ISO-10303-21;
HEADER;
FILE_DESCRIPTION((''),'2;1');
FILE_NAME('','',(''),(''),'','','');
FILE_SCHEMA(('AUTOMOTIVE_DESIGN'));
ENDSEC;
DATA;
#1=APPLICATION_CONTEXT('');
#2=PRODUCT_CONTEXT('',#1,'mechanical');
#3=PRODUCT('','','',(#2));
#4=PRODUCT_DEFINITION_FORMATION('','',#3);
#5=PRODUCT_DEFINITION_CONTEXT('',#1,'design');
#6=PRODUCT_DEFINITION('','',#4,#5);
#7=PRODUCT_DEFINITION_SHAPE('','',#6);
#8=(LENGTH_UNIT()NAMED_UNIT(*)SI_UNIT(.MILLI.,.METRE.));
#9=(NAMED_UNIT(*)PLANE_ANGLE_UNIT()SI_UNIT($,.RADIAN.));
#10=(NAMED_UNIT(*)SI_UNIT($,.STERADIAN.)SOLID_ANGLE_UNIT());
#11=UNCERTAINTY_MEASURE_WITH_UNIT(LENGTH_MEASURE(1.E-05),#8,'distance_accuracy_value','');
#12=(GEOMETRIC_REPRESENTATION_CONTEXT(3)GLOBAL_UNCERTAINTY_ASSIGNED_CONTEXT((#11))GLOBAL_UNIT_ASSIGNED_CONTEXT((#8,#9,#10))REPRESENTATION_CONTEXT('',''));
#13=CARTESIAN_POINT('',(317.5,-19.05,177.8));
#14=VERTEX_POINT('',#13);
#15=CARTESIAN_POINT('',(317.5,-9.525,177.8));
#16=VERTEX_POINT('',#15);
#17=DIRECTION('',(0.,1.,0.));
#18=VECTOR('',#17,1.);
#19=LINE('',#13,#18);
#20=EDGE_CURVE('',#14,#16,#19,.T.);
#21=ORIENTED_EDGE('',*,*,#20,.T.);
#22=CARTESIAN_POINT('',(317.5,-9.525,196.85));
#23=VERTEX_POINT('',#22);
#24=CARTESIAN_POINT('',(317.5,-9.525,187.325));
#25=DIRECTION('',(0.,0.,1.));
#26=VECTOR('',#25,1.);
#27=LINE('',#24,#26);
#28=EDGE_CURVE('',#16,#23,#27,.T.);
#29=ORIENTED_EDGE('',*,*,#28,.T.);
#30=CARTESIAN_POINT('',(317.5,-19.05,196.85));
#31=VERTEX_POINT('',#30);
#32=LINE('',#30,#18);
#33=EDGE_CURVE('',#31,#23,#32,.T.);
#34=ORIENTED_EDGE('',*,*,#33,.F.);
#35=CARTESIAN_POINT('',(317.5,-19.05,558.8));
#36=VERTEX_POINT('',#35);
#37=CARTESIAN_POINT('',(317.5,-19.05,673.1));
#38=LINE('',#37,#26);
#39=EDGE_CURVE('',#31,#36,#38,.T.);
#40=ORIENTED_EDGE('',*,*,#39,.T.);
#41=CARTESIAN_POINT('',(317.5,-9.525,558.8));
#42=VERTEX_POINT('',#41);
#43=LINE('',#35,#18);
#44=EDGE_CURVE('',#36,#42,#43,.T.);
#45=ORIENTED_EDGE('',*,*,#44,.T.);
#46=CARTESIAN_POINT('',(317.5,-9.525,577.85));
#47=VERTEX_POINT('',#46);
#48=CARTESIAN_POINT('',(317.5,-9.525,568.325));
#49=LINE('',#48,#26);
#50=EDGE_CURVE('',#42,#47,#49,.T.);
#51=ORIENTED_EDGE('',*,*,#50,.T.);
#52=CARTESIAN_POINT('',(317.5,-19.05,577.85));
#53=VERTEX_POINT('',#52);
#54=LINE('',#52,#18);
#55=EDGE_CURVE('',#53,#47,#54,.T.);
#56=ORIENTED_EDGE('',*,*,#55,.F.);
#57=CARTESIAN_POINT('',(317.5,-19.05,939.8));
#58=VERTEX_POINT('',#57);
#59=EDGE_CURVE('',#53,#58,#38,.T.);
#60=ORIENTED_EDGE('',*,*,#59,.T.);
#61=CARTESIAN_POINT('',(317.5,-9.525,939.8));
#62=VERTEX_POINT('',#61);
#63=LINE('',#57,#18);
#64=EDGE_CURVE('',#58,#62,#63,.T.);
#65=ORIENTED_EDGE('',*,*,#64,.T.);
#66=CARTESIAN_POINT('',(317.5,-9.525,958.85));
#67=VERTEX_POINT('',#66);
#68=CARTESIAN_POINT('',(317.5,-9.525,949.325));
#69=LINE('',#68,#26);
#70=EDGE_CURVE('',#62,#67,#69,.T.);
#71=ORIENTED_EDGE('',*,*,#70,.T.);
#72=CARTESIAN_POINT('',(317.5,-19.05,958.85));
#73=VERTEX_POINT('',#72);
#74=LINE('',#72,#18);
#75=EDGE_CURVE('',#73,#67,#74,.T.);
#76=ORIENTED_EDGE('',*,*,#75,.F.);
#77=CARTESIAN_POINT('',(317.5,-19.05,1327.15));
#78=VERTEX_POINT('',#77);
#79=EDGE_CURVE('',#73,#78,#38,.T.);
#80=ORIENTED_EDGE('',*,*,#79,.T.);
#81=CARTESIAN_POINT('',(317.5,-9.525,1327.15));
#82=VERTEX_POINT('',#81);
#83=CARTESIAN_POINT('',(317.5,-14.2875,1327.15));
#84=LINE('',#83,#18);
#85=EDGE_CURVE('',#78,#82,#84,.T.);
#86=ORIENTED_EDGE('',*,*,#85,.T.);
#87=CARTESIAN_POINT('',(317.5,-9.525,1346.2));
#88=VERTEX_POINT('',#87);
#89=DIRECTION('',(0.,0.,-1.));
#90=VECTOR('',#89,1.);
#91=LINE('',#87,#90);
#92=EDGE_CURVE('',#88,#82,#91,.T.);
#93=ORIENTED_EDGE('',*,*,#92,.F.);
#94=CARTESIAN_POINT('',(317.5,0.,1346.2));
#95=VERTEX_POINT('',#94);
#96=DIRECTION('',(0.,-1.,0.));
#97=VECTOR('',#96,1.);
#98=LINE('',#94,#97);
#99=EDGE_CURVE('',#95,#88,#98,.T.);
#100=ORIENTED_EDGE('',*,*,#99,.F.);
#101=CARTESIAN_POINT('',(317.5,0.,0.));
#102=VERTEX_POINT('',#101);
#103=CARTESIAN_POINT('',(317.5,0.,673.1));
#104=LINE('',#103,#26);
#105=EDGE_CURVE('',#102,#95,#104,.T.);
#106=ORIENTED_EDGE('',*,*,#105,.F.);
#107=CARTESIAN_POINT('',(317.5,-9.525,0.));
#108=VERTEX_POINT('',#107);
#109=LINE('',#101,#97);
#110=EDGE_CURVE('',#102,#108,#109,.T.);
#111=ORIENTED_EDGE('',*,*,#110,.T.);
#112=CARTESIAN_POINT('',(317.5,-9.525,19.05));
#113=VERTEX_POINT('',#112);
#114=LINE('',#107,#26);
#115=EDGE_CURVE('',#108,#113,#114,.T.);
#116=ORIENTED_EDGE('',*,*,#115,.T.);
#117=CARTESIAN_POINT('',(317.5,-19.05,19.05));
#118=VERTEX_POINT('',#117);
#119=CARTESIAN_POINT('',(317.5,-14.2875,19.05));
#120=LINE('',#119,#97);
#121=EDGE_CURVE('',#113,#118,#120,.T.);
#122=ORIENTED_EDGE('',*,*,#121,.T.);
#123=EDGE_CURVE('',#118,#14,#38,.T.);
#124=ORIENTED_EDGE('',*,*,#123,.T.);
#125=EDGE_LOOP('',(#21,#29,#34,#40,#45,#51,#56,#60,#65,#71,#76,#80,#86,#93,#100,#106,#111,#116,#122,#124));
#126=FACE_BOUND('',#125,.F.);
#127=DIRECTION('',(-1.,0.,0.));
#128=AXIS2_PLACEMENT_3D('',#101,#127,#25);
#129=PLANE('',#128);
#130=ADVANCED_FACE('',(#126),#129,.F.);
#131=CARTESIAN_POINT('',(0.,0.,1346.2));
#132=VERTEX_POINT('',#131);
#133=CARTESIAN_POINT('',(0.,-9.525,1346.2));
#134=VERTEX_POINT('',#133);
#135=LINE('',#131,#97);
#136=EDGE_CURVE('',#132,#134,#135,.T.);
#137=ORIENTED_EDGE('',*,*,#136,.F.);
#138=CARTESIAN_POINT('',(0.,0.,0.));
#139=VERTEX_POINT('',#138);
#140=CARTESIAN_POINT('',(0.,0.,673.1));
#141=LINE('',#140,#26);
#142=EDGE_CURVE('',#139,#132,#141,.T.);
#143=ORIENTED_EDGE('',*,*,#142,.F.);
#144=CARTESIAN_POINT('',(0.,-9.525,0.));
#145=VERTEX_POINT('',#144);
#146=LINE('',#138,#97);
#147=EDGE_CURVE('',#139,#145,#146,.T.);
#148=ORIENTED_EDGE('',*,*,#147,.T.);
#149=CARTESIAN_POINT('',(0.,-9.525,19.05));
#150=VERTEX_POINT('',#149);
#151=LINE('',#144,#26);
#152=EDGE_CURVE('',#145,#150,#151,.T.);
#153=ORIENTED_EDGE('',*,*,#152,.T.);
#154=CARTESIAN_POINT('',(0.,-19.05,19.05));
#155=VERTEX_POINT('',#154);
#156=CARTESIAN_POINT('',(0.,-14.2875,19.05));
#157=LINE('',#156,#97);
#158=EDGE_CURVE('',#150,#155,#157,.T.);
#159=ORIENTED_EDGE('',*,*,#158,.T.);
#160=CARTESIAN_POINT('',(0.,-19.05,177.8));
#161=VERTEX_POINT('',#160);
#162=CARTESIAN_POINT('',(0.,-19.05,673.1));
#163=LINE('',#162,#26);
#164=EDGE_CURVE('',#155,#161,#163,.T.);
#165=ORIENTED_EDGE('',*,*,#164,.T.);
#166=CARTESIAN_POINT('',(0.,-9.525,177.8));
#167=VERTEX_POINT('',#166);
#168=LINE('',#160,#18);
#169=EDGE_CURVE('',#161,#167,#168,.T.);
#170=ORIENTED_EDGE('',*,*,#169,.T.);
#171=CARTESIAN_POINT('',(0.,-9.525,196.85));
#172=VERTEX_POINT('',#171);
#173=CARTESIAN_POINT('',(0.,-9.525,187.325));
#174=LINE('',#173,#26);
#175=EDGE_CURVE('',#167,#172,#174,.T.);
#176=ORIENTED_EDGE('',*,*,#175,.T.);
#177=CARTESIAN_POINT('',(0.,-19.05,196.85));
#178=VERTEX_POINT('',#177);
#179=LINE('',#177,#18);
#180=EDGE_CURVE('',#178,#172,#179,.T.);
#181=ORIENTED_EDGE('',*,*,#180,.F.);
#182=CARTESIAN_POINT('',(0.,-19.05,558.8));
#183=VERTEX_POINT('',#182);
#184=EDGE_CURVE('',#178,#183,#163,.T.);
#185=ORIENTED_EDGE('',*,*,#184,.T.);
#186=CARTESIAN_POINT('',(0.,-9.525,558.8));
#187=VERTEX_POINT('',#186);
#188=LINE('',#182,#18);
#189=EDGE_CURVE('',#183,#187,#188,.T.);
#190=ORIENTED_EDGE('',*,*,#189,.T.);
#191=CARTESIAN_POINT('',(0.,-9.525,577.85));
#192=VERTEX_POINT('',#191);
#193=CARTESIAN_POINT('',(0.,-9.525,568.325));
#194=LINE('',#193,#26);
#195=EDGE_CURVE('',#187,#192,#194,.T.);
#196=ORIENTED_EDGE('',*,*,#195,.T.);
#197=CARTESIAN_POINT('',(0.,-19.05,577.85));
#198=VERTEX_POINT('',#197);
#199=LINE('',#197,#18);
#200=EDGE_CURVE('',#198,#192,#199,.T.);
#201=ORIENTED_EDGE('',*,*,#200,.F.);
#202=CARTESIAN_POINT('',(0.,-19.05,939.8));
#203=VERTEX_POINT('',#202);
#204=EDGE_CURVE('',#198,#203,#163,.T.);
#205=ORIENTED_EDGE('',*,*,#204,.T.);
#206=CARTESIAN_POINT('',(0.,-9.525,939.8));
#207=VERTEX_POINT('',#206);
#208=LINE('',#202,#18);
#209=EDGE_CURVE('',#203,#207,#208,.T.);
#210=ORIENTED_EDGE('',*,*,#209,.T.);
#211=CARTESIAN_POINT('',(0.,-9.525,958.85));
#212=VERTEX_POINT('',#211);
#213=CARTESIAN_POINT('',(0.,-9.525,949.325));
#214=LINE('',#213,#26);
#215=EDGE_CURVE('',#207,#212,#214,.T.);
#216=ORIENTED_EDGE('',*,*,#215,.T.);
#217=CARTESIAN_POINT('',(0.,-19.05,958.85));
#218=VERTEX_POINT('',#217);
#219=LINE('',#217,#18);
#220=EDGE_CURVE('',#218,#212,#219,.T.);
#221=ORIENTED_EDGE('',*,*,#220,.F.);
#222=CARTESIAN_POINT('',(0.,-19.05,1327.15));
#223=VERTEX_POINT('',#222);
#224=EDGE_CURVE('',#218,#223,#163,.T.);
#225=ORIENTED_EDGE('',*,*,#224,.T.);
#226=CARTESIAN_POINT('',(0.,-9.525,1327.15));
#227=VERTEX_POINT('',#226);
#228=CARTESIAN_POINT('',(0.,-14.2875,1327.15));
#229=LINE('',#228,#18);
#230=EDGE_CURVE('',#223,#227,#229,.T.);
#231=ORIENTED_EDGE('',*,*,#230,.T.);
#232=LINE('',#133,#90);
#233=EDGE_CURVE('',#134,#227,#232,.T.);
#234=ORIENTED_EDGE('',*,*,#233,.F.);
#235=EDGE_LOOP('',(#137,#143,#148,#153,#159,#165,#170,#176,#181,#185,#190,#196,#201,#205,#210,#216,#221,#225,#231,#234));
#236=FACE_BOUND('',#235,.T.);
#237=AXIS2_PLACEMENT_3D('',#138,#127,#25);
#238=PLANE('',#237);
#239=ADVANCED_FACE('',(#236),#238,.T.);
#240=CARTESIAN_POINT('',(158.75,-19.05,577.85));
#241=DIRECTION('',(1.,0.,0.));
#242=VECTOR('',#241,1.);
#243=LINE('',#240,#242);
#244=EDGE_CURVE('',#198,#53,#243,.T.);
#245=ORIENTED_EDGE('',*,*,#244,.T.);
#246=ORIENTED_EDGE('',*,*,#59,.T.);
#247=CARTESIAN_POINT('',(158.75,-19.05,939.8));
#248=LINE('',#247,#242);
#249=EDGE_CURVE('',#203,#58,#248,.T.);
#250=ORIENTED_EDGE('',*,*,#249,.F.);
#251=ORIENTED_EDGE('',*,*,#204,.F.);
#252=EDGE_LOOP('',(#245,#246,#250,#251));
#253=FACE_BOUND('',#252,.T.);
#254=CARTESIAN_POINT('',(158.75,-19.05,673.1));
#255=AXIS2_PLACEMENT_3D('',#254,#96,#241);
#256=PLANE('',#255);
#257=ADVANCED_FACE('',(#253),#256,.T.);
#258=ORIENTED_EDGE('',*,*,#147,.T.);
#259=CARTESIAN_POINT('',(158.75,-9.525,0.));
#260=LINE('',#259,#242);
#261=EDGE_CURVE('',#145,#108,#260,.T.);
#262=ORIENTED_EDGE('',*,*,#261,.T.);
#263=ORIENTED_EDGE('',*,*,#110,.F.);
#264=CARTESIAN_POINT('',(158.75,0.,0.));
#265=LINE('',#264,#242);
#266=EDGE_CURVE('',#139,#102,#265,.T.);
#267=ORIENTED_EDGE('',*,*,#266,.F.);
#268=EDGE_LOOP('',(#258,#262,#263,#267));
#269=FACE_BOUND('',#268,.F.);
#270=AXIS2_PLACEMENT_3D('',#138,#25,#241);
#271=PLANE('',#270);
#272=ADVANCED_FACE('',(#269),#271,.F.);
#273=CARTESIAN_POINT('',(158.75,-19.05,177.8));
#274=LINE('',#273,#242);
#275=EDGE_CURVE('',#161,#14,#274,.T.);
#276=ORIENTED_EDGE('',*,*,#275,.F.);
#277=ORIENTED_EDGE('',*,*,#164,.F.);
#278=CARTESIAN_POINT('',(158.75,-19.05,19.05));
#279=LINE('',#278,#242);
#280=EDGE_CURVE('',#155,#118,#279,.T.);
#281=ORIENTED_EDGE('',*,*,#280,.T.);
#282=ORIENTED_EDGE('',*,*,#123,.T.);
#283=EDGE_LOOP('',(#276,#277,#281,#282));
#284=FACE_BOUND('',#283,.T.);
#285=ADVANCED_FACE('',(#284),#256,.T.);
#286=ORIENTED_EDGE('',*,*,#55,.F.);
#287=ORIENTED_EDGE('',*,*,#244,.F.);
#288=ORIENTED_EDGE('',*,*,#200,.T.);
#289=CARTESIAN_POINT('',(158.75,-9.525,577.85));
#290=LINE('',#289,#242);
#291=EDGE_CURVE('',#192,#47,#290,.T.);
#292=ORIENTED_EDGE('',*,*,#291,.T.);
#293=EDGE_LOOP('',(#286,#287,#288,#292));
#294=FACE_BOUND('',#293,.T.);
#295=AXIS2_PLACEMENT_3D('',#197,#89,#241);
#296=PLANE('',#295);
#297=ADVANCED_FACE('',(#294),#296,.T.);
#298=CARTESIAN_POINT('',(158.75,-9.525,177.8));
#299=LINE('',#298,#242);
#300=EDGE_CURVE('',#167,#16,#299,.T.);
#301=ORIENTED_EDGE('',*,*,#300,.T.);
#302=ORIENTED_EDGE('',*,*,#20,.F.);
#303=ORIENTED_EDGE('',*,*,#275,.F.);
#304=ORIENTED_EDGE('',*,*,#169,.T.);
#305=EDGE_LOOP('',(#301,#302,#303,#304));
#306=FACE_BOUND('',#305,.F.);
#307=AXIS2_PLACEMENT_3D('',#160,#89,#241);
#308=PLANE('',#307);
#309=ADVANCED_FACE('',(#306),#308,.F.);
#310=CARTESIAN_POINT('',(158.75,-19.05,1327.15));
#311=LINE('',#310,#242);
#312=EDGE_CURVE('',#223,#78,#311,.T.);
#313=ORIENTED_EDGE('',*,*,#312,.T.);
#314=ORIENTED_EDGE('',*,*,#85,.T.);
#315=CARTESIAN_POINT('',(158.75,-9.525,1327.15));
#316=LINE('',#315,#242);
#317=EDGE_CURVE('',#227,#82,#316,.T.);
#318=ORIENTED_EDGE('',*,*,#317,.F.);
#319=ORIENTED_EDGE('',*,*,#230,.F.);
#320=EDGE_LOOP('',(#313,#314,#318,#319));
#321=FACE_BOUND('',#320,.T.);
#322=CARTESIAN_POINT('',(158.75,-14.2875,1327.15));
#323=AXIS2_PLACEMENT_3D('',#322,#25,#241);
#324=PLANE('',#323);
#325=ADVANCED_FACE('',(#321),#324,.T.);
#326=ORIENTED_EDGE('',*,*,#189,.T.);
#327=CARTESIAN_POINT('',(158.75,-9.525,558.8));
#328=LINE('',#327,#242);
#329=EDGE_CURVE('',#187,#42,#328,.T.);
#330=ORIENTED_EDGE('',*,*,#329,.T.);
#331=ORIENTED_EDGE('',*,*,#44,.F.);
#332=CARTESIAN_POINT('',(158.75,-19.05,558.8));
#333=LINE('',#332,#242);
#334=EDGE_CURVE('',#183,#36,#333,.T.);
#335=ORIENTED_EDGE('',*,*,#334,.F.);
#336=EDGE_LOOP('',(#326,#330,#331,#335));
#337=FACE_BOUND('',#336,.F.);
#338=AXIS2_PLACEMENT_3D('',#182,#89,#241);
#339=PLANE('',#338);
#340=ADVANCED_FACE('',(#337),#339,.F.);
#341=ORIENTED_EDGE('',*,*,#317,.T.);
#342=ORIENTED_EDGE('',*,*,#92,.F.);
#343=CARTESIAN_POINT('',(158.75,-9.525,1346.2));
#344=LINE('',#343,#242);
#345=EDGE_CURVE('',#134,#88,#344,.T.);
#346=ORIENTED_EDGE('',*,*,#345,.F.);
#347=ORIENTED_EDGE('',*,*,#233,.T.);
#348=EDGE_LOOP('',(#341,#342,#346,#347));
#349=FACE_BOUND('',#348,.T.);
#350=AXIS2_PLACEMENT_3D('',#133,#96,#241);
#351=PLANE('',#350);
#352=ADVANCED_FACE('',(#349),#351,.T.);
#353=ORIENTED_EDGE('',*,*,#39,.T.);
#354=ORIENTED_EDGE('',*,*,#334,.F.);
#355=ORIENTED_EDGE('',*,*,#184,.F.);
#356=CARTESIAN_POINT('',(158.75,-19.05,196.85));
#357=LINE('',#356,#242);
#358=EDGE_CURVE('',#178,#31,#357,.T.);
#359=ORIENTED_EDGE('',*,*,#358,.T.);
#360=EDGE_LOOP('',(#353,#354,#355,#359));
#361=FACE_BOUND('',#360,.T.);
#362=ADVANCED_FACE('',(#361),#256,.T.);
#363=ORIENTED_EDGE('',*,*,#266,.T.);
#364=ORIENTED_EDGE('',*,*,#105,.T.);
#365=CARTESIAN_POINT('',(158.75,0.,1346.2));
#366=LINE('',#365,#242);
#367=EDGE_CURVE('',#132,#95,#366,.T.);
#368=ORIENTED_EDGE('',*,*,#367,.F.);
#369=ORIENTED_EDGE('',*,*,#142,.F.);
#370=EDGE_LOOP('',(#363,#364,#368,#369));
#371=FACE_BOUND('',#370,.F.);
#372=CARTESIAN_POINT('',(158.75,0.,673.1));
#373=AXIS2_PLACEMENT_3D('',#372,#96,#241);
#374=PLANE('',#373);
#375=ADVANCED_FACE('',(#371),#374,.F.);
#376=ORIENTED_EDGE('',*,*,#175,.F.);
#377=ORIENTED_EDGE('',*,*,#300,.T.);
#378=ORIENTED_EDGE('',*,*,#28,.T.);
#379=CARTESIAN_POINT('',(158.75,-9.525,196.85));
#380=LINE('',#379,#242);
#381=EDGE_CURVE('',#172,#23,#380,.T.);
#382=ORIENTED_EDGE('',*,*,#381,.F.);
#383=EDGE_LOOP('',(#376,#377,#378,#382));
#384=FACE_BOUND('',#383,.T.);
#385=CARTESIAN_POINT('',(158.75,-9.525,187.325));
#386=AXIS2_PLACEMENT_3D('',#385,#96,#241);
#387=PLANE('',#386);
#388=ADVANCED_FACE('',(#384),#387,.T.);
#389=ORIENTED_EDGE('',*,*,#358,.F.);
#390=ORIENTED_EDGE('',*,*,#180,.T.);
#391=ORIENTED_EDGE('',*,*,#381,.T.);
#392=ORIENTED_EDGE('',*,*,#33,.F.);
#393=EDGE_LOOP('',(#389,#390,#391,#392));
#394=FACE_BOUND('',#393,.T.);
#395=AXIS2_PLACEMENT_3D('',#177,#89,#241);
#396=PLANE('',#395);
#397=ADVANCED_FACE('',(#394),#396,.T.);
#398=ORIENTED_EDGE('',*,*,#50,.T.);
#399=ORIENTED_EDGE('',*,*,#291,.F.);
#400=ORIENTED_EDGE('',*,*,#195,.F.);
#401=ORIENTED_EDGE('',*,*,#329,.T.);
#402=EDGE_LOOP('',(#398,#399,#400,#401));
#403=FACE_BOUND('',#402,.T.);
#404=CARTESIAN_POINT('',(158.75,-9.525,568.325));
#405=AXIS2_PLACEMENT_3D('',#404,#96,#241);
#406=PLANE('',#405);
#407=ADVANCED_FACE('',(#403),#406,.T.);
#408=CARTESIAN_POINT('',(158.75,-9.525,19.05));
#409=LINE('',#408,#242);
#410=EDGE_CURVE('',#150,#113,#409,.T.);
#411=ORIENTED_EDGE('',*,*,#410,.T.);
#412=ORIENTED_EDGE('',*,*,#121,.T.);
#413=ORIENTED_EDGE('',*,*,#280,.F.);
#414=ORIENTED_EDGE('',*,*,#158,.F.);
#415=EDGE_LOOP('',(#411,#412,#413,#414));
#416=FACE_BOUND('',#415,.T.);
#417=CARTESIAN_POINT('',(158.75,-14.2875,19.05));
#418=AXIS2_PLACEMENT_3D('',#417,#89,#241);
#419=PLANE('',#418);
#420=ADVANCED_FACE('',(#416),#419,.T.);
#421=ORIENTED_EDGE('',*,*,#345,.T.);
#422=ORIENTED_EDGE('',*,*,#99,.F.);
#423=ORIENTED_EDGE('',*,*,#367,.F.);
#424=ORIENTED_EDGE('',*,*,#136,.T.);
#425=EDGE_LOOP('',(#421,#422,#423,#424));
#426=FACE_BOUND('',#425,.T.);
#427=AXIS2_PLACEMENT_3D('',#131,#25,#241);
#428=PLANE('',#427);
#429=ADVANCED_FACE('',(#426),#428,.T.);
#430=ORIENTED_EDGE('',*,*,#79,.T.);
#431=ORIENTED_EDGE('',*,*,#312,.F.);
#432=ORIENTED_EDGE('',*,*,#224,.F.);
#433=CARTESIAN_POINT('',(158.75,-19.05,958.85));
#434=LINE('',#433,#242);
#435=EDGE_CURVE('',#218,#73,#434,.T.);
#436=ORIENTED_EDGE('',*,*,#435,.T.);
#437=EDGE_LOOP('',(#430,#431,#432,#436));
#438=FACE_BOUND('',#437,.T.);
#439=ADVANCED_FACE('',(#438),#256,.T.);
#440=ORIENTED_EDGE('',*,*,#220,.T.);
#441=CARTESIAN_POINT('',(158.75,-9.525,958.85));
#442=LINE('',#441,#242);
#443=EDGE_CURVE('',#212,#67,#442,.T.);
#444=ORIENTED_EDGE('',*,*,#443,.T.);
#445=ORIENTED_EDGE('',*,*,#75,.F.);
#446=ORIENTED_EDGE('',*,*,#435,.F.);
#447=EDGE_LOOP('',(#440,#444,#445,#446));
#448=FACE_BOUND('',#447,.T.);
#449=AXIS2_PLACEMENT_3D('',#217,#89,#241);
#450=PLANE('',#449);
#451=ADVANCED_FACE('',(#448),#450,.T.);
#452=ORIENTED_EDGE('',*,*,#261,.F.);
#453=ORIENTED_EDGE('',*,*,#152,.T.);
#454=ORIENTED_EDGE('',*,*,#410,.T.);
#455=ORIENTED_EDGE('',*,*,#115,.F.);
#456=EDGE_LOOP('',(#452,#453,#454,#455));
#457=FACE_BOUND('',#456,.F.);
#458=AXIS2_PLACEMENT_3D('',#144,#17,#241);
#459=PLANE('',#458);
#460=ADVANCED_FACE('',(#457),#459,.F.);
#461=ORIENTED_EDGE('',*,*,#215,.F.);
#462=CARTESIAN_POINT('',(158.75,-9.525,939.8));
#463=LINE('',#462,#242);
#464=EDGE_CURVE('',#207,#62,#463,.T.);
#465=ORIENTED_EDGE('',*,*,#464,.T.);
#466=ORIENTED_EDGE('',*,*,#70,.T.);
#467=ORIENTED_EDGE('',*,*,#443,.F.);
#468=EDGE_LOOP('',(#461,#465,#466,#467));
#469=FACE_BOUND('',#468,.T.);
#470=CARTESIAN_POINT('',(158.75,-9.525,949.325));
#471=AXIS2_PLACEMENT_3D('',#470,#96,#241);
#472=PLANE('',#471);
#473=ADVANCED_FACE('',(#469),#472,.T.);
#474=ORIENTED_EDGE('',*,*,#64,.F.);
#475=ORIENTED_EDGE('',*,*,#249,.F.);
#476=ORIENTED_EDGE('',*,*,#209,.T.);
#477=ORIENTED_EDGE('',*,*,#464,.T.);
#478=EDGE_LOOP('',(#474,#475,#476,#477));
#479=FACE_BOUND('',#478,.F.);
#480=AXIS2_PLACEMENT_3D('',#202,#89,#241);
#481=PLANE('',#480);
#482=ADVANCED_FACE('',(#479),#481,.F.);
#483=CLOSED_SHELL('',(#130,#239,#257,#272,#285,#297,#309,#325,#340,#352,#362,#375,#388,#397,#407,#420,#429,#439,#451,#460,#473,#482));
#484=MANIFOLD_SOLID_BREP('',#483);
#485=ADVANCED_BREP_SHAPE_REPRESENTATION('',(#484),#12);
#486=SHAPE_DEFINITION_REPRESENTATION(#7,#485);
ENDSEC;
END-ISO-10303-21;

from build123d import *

# Parameters (mm, degrees)
F0_W      = 317.5
F0_H      = 1346.2
F1_DEPTH  = 19.05
F2_W      = 317.5
F2_H      = 9.525
F3_DEPTH  = 19.05
F4_W      = 317.5
F4_H      = 9.525
F5_DEPTH  = 19.05
F6_W      = 317.5
F6_H      = 19.05
F7_DEPTH  = 9.525
F8_W      = 317.5
F8_H      = 19.05
F9_DEPTH  = 9.525
F10_W     = 317.5
F10_H     = 19.05
F11_DEPTH = 9.525


with BuildPart() as f1:
    # F0 (on Front) → F1 (new body)
    with BuildSketch(Plane.XZ):
        with Locations((158.75, 673.1)):
            Rectangle(F0_W, F0_H)
    extrude(amount=F1_DEPTH)

    # F2 (on face) → F3 (cut)
    with BuildSketch(Plane.XY.offset(1346.2)):
        with Locations((158.75, -14.2875)):
            Rectangle(F2_W, F2_H)
    extrude(amount=-F3_DEPTH, mode=Mode.SUBTRACT)

    # F4 (on face) → F5 (cut)
    with BuildSketch(Plane(origin=(0, 0, 0), x_dir=(1, 0, 0), z_dir=(0, 0, -1))):
        with Locations((158.75, 14.2875)):
            Rectangle(F4_W, F4_H)
    extrude(amount=-F5_DEPTH, mode=Mode.SUBTRACT)

    # F6 (on face) → F7 (cut)
    with BuildSketch(Plane.XZ.offset(19.05)):
        with Locations((158.75, 187.325)):
            Rectangle(F6_W, F6_H)
    extrude(amount=-F7_DEPTH, mode=Mode.SUBTRACT)

    # F8 (on face) → F9 (cut)
    with BuildSketch(Plane.XZ.offset(19.05)):
        with Locations((158.75, 568.325)):
            Rectangle(F8_W, F8_H)
    extrude(amount=-F9_DEPTH, mode=Mode.SUBTRACT)

    # F10 (on face) → F11 (cut)
    with BuildSketch(Plane.XZ.offset(19.05)):
        with Locations((158.75, 949.325)):
            Rectangle(F10_W, F10_H)
    extrude(amount=-F11_DEPTH, mode=Mode.SUBTRACT)


solid = f1.part
